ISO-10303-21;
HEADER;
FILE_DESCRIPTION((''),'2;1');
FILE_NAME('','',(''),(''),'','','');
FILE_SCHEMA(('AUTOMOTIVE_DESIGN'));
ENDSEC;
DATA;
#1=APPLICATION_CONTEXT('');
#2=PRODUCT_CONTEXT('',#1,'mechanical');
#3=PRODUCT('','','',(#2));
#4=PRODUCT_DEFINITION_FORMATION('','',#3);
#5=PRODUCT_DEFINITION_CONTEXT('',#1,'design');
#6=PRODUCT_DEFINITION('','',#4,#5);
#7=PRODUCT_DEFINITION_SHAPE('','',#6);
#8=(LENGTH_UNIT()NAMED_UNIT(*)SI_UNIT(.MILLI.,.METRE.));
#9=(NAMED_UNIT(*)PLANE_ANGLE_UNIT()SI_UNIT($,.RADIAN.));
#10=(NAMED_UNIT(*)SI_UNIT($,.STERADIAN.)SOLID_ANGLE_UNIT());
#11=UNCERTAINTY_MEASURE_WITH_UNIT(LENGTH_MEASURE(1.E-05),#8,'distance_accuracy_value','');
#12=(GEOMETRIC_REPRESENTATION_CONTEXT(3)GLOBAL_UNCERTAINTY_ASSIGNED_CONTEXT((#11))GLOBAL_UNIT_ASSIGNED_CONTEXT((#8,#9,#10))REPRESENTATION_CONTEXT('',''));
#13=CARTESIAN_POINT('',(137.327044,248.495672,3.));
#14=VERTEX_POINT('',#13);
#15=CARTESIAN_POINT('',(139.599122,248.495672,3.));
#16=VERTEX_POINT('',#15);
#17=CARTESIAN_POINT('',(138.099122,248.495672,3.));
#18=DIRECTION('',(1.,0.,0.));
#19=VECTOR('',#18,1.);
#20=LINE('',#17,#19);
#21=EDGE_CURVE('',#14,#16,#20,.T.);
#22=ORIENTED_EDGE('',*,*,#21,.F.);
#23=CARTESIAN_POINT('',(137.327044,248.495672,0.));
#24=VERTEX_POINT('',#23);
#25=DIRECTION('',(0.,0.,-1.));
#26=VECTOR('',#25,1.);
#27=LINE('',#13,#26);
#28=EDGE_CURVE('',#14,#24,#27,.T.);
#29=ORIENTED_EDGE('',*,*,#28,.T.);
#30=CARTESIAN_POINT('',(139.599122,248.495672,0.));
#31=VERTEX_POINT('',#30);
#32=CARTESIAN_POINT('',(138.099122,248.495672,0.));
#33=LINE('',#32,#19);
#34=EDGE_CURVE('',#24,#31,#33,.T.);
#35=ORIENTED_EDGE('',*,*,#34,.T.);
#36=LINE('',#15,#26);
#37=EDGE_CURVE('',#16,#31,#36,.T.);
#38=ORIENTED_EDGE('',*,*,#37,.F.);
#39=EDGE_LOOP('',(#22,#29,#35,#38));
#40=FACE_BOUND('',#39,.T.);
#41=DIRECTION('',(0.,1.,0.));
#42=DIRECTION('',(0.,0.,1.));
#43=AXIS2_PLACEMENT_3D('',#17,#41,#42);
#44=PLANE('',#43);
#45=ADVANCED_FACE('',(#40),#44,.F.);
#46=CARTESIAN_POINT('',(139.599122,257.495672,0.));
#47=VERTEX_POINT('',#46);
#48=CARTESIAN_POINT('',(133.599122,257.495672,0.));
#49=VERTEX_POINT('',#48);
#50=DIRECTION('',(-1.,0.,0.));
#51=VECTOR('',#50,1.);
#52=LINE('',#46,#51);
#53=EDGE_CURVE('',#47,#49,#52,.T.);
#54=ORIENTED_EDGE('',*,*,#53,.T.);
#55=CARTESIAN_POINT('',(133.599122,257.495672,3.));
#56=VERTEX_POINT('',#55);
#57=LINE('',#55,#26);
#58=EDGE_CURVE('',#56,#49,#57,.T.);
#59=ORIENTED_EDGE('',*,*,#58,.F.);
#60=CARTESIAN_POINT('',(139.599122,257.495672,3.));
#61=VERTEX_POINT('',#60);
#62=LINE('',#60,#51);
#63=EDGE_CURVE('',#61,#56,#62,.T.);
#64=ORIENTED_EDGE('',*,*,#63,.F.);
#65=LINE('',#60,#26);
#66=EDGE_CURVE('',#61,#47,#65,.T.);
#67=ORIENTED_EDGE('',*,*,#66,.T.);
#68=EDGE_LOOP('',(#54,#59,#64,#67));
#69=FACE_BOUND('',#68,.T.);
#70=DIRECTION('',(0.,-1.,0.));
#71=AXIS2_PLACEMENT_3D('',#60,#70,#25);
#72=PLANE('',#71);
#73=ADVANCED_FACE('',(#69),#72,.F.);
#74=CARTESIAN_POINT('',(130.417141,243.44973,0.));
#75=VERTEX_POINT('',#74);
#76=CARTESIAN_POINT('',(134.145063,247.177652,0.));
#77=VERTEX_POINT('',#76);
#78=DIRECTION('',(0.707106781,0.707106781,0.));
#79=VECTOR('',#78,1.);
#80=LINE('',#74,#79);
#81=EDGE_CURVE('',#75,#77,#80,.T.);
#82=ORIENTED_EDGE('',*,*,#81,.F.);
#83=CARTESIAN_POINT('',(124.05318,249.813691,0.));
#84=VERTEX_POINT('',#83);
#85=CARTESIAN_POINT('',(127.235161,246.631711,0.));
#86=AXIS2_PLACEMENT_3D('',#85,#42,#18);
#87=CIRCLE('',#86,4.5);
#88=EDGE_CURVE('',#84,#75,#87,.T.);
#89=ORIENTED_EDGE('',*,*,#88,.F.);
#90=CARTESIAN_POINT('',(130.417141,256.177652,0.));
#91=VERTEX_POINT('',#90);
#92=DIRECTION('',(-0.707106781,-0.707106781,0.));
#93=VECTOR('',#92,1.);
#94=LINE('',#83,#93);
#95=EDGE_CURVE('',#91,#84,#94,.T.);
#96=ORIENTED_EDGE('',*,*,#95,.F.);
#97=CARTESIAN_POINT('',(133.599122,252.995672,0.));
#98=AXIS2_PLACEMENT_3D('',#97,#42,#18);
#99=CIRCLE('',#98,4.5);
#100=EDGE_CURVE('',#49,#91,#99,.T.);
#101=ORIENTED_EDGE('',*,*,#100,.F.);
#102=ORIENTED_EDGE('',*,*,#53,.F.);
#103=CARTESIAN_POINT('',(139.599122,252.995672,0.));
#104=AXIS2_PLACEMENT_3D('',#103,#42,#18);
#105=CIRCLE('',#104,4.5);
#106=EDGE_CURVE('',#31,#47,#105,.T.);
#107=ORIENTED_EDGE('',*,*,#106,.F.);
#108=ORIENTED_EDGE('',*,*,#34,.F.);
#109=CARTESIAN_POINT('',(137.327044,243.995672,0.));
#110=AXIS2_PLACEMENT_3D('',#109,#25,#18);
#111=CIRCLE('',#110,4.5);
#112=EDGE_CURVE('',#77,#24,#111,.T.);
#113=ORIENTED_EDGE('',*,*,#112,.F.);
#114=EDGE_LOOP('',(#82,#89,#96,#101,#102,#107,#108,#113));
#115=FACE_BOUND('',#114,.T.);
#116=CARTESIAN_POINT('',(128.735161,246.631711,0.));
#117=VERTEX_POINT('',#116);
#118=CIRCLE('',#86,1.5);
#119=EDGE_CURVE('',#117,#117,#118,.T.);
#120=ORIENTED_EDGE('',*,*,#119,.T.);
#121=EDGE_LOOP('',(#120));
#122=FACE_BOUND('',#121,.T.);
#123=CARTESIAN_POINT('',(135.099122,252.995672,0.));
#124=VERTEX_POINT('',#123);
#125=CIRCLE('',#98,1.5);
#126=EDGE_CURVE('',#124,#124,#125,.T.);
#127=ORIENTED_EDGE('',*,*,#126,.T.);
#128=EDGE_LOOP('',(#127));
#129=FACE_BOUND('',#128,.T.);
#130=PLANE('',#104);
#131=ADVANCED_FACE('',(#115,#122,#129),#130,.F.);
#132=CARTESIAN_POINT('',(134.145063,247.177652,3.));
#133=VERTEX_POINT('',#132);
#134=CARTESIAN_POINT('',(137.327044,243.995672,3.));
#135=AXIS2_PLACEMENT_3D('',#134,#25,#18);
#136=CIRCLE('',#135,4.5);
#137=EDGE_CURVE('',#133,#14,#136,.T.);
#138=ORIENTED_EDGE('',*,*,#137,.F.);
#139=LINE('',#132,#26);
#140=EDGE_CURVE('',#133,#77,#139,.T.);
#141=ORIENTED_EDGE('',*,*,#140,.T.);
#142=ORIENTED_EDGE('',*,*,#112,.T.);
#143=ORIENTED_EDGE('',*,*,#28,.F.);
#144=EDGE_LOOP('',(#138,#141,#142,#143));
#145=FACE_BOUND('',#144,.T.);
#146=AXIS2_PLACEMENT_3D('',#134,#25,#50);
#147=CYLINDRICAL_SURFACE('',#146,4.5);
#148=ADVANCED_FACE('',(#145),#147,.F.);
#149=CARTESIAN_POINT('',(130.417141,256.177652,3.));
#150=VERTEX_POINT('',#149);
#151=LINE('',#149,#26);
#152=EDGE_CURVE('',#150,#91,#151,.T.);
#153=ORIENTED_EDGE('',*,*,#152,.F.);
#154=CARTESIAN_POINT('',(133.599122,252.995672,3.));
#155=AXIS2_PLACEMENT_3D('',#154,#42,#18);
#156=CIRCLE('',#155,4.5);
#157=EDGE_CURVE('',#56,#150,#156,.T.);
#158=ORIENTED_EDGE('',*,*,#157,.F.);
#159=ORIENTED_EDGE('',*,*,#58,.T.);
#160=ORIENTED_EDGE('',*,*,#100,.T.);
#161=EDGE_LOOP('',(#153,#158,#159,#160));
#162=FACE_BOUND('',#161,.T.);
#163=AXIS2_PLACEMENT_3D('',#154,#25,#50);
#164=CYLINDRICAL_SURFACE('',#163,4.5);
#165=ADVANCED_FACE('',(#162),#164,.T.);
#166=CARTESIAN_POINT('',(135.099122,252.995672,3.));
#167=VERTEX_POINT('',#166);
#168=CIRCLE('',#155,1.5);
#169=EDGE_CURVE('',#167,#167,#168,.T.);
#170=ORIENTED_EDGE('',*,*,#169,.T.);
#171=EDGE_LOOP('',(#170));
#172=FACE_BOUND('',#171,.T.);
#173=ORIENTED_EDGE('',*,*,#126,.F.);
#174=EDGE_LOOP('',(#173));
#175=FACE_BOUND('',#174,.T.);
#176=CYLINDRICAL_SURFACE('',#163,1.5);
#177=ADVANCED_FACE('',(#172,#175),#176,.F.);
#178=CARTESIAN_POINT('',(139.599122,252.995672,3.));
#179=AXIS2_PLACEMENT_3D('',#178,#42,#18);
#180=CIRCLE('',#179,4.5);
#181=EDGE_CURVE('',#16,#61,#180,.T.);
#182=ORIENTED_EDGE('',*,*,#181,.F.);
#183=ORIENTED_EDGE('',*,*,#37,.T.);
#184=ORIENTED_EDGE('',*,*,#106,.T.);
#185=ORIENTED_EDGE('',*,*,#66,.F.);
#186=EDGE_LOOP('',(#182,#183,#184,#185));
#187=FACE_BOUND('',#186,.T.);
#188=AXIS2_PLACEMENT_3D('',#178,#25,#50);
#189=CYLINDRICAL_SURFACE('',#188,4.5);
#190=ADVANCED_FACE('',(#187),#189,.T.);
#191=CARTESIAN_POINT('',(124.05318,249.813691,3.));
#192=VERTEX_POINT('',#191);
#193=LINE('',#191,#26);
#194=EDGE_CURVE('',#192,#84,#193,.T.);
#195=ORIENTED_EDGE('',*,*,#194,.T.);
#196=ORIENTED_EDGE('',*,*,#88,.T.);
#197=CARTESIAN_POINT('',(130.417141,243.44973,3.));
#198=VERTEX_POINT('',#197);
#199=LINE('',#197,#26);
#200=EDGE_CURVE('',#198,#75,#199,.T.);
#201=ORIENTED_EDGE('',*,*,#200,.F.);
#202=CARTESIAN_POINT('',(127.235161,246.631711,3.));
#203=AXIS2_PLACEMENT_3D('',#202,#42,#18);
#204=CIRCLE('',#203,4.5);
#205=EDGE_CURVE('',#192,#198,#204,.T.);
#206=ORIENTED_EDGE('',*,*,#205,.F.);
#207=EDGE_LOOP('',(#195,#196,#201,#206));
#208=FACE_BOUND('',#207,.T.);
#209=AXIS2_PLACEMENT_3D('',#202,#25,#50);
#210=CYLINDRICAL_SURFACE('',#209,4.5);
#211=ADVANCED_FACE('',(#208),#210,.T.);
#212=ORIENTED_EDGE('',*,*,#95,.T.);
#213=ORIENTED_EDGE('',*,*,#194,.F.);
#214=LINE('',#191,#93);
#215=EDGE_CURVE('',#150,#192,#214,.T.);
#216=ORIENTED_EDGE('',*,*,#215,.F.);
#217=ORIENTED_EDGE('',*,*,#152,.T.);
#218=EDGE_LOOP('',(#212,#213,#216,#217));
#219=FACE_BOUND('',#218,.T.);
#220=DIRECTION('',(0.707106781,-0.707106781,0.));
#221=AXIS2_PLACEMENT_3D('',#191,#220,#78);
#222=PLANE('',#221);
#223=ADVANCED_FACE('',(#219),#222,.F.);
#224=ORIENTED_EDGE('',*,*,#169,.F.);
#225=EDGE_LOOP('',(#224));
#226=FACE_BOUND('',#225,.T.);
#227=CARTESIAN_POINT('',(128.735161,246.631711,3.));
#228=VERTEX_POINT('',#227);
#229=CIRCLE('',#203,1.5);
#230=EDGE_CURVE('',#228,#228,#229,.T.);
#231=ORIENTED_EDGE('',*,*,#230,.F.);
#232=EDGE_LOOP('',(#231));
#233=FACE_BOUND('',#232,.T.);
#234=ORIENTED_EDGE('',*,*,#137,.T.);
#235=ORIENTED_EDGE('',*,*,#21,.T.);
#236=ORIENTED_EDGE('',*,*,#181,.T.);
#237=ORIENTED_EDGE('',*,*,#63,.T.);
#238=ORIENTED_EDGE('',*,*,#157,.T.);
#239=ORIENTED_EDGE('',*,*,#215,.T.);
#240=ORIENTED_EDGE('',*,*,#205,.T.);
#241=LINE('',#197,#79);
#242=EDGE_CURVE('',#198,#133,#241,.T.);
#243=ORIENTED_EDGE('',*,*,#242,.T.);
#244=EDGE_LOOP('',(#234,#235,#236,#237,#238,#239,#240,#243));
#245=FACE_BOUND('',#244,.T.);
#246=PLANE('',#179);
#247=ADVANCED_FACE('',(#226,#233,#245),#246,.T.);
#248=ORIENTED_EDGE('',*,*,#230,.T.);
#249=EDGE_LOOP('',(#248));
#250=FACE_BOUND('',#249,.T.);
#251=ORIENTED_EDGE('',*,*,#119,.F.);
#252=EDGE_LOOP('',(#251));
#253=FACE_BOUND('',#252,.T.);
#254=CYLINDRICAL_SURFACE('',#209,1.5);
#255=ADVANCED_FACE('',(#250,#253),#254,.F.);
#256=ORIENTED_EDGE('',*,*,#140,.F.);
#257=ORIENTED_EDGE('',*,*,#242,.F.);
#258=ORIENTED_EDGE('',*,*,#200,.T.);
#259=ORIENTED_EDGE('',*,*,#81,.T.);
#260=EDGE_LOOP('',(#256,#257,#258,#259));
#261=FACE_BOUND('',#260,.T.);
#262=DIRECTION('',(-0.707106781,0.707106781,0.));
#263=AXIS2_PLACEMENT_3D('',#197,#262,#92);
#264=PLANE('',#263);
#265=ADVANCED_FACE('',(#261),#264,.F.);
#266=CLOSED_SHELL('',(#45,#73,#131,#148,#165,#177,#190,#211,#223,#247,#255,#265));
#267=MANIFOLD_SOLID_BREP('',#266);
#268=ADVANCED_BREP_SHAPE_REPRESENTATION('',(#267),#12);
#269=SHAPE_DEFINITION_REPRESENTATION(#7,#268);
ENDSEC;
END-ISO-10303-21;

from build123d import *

# Parameters (mm, degrees)
MODEL_R                 = 1.5
SALIENTE_EXTRUIR1_DEPTH = 3


with BuildPart() as part:
    # Model → Saliente-Extruir1 (new body)
    with BuildSketch(Plane.XY):
        with BuildLine():
            Line((139.599121875, 257.495671711), (133.599121875, 257.495671711))
            ThreePointArc((133.599121875, 257.495671711), (131.87704643, 257.153129607), (130.41714136, 256.177652227))
            Line((130.41714136, 256.177652227), (124.053180329, 249.813691196))
            ThreePointArc((124.053180329, 249.813691196), (124.053180329, 243.449730165), (130.41714136, 243.449730165))
            Line((130.41714136, 243.449730165), (134.145063421, 247.177652226))
            ThreePointArc((134.145063421, 247.177652226), (135.604968491, 248.153129607), (137.327043937, 248.495671711))
            Line((137.327043937, 248.495671711), (138.099121875, 248.495671711))
            Line((138.099121875, 248.495671711), (139.599121875, 248.495671711))
            ThreePointArc((139.599121875, 248.495671711), (144.099121875, 252.995671711), (139.599121875, 257.495671711))
        make_face()
        with Locations((133.599121875, 252.995671711)):
            Circle(MODEL_R, mode=Mode.SUBTRACT)
        with Locations((127.235160845, 246.631710681)):
            Circle(MODEL_R, mode=Mode.SUBTRACT)
    extrude(amount=SALIENTE_EXTRUIR1_DEPTH)


solid = part.part
